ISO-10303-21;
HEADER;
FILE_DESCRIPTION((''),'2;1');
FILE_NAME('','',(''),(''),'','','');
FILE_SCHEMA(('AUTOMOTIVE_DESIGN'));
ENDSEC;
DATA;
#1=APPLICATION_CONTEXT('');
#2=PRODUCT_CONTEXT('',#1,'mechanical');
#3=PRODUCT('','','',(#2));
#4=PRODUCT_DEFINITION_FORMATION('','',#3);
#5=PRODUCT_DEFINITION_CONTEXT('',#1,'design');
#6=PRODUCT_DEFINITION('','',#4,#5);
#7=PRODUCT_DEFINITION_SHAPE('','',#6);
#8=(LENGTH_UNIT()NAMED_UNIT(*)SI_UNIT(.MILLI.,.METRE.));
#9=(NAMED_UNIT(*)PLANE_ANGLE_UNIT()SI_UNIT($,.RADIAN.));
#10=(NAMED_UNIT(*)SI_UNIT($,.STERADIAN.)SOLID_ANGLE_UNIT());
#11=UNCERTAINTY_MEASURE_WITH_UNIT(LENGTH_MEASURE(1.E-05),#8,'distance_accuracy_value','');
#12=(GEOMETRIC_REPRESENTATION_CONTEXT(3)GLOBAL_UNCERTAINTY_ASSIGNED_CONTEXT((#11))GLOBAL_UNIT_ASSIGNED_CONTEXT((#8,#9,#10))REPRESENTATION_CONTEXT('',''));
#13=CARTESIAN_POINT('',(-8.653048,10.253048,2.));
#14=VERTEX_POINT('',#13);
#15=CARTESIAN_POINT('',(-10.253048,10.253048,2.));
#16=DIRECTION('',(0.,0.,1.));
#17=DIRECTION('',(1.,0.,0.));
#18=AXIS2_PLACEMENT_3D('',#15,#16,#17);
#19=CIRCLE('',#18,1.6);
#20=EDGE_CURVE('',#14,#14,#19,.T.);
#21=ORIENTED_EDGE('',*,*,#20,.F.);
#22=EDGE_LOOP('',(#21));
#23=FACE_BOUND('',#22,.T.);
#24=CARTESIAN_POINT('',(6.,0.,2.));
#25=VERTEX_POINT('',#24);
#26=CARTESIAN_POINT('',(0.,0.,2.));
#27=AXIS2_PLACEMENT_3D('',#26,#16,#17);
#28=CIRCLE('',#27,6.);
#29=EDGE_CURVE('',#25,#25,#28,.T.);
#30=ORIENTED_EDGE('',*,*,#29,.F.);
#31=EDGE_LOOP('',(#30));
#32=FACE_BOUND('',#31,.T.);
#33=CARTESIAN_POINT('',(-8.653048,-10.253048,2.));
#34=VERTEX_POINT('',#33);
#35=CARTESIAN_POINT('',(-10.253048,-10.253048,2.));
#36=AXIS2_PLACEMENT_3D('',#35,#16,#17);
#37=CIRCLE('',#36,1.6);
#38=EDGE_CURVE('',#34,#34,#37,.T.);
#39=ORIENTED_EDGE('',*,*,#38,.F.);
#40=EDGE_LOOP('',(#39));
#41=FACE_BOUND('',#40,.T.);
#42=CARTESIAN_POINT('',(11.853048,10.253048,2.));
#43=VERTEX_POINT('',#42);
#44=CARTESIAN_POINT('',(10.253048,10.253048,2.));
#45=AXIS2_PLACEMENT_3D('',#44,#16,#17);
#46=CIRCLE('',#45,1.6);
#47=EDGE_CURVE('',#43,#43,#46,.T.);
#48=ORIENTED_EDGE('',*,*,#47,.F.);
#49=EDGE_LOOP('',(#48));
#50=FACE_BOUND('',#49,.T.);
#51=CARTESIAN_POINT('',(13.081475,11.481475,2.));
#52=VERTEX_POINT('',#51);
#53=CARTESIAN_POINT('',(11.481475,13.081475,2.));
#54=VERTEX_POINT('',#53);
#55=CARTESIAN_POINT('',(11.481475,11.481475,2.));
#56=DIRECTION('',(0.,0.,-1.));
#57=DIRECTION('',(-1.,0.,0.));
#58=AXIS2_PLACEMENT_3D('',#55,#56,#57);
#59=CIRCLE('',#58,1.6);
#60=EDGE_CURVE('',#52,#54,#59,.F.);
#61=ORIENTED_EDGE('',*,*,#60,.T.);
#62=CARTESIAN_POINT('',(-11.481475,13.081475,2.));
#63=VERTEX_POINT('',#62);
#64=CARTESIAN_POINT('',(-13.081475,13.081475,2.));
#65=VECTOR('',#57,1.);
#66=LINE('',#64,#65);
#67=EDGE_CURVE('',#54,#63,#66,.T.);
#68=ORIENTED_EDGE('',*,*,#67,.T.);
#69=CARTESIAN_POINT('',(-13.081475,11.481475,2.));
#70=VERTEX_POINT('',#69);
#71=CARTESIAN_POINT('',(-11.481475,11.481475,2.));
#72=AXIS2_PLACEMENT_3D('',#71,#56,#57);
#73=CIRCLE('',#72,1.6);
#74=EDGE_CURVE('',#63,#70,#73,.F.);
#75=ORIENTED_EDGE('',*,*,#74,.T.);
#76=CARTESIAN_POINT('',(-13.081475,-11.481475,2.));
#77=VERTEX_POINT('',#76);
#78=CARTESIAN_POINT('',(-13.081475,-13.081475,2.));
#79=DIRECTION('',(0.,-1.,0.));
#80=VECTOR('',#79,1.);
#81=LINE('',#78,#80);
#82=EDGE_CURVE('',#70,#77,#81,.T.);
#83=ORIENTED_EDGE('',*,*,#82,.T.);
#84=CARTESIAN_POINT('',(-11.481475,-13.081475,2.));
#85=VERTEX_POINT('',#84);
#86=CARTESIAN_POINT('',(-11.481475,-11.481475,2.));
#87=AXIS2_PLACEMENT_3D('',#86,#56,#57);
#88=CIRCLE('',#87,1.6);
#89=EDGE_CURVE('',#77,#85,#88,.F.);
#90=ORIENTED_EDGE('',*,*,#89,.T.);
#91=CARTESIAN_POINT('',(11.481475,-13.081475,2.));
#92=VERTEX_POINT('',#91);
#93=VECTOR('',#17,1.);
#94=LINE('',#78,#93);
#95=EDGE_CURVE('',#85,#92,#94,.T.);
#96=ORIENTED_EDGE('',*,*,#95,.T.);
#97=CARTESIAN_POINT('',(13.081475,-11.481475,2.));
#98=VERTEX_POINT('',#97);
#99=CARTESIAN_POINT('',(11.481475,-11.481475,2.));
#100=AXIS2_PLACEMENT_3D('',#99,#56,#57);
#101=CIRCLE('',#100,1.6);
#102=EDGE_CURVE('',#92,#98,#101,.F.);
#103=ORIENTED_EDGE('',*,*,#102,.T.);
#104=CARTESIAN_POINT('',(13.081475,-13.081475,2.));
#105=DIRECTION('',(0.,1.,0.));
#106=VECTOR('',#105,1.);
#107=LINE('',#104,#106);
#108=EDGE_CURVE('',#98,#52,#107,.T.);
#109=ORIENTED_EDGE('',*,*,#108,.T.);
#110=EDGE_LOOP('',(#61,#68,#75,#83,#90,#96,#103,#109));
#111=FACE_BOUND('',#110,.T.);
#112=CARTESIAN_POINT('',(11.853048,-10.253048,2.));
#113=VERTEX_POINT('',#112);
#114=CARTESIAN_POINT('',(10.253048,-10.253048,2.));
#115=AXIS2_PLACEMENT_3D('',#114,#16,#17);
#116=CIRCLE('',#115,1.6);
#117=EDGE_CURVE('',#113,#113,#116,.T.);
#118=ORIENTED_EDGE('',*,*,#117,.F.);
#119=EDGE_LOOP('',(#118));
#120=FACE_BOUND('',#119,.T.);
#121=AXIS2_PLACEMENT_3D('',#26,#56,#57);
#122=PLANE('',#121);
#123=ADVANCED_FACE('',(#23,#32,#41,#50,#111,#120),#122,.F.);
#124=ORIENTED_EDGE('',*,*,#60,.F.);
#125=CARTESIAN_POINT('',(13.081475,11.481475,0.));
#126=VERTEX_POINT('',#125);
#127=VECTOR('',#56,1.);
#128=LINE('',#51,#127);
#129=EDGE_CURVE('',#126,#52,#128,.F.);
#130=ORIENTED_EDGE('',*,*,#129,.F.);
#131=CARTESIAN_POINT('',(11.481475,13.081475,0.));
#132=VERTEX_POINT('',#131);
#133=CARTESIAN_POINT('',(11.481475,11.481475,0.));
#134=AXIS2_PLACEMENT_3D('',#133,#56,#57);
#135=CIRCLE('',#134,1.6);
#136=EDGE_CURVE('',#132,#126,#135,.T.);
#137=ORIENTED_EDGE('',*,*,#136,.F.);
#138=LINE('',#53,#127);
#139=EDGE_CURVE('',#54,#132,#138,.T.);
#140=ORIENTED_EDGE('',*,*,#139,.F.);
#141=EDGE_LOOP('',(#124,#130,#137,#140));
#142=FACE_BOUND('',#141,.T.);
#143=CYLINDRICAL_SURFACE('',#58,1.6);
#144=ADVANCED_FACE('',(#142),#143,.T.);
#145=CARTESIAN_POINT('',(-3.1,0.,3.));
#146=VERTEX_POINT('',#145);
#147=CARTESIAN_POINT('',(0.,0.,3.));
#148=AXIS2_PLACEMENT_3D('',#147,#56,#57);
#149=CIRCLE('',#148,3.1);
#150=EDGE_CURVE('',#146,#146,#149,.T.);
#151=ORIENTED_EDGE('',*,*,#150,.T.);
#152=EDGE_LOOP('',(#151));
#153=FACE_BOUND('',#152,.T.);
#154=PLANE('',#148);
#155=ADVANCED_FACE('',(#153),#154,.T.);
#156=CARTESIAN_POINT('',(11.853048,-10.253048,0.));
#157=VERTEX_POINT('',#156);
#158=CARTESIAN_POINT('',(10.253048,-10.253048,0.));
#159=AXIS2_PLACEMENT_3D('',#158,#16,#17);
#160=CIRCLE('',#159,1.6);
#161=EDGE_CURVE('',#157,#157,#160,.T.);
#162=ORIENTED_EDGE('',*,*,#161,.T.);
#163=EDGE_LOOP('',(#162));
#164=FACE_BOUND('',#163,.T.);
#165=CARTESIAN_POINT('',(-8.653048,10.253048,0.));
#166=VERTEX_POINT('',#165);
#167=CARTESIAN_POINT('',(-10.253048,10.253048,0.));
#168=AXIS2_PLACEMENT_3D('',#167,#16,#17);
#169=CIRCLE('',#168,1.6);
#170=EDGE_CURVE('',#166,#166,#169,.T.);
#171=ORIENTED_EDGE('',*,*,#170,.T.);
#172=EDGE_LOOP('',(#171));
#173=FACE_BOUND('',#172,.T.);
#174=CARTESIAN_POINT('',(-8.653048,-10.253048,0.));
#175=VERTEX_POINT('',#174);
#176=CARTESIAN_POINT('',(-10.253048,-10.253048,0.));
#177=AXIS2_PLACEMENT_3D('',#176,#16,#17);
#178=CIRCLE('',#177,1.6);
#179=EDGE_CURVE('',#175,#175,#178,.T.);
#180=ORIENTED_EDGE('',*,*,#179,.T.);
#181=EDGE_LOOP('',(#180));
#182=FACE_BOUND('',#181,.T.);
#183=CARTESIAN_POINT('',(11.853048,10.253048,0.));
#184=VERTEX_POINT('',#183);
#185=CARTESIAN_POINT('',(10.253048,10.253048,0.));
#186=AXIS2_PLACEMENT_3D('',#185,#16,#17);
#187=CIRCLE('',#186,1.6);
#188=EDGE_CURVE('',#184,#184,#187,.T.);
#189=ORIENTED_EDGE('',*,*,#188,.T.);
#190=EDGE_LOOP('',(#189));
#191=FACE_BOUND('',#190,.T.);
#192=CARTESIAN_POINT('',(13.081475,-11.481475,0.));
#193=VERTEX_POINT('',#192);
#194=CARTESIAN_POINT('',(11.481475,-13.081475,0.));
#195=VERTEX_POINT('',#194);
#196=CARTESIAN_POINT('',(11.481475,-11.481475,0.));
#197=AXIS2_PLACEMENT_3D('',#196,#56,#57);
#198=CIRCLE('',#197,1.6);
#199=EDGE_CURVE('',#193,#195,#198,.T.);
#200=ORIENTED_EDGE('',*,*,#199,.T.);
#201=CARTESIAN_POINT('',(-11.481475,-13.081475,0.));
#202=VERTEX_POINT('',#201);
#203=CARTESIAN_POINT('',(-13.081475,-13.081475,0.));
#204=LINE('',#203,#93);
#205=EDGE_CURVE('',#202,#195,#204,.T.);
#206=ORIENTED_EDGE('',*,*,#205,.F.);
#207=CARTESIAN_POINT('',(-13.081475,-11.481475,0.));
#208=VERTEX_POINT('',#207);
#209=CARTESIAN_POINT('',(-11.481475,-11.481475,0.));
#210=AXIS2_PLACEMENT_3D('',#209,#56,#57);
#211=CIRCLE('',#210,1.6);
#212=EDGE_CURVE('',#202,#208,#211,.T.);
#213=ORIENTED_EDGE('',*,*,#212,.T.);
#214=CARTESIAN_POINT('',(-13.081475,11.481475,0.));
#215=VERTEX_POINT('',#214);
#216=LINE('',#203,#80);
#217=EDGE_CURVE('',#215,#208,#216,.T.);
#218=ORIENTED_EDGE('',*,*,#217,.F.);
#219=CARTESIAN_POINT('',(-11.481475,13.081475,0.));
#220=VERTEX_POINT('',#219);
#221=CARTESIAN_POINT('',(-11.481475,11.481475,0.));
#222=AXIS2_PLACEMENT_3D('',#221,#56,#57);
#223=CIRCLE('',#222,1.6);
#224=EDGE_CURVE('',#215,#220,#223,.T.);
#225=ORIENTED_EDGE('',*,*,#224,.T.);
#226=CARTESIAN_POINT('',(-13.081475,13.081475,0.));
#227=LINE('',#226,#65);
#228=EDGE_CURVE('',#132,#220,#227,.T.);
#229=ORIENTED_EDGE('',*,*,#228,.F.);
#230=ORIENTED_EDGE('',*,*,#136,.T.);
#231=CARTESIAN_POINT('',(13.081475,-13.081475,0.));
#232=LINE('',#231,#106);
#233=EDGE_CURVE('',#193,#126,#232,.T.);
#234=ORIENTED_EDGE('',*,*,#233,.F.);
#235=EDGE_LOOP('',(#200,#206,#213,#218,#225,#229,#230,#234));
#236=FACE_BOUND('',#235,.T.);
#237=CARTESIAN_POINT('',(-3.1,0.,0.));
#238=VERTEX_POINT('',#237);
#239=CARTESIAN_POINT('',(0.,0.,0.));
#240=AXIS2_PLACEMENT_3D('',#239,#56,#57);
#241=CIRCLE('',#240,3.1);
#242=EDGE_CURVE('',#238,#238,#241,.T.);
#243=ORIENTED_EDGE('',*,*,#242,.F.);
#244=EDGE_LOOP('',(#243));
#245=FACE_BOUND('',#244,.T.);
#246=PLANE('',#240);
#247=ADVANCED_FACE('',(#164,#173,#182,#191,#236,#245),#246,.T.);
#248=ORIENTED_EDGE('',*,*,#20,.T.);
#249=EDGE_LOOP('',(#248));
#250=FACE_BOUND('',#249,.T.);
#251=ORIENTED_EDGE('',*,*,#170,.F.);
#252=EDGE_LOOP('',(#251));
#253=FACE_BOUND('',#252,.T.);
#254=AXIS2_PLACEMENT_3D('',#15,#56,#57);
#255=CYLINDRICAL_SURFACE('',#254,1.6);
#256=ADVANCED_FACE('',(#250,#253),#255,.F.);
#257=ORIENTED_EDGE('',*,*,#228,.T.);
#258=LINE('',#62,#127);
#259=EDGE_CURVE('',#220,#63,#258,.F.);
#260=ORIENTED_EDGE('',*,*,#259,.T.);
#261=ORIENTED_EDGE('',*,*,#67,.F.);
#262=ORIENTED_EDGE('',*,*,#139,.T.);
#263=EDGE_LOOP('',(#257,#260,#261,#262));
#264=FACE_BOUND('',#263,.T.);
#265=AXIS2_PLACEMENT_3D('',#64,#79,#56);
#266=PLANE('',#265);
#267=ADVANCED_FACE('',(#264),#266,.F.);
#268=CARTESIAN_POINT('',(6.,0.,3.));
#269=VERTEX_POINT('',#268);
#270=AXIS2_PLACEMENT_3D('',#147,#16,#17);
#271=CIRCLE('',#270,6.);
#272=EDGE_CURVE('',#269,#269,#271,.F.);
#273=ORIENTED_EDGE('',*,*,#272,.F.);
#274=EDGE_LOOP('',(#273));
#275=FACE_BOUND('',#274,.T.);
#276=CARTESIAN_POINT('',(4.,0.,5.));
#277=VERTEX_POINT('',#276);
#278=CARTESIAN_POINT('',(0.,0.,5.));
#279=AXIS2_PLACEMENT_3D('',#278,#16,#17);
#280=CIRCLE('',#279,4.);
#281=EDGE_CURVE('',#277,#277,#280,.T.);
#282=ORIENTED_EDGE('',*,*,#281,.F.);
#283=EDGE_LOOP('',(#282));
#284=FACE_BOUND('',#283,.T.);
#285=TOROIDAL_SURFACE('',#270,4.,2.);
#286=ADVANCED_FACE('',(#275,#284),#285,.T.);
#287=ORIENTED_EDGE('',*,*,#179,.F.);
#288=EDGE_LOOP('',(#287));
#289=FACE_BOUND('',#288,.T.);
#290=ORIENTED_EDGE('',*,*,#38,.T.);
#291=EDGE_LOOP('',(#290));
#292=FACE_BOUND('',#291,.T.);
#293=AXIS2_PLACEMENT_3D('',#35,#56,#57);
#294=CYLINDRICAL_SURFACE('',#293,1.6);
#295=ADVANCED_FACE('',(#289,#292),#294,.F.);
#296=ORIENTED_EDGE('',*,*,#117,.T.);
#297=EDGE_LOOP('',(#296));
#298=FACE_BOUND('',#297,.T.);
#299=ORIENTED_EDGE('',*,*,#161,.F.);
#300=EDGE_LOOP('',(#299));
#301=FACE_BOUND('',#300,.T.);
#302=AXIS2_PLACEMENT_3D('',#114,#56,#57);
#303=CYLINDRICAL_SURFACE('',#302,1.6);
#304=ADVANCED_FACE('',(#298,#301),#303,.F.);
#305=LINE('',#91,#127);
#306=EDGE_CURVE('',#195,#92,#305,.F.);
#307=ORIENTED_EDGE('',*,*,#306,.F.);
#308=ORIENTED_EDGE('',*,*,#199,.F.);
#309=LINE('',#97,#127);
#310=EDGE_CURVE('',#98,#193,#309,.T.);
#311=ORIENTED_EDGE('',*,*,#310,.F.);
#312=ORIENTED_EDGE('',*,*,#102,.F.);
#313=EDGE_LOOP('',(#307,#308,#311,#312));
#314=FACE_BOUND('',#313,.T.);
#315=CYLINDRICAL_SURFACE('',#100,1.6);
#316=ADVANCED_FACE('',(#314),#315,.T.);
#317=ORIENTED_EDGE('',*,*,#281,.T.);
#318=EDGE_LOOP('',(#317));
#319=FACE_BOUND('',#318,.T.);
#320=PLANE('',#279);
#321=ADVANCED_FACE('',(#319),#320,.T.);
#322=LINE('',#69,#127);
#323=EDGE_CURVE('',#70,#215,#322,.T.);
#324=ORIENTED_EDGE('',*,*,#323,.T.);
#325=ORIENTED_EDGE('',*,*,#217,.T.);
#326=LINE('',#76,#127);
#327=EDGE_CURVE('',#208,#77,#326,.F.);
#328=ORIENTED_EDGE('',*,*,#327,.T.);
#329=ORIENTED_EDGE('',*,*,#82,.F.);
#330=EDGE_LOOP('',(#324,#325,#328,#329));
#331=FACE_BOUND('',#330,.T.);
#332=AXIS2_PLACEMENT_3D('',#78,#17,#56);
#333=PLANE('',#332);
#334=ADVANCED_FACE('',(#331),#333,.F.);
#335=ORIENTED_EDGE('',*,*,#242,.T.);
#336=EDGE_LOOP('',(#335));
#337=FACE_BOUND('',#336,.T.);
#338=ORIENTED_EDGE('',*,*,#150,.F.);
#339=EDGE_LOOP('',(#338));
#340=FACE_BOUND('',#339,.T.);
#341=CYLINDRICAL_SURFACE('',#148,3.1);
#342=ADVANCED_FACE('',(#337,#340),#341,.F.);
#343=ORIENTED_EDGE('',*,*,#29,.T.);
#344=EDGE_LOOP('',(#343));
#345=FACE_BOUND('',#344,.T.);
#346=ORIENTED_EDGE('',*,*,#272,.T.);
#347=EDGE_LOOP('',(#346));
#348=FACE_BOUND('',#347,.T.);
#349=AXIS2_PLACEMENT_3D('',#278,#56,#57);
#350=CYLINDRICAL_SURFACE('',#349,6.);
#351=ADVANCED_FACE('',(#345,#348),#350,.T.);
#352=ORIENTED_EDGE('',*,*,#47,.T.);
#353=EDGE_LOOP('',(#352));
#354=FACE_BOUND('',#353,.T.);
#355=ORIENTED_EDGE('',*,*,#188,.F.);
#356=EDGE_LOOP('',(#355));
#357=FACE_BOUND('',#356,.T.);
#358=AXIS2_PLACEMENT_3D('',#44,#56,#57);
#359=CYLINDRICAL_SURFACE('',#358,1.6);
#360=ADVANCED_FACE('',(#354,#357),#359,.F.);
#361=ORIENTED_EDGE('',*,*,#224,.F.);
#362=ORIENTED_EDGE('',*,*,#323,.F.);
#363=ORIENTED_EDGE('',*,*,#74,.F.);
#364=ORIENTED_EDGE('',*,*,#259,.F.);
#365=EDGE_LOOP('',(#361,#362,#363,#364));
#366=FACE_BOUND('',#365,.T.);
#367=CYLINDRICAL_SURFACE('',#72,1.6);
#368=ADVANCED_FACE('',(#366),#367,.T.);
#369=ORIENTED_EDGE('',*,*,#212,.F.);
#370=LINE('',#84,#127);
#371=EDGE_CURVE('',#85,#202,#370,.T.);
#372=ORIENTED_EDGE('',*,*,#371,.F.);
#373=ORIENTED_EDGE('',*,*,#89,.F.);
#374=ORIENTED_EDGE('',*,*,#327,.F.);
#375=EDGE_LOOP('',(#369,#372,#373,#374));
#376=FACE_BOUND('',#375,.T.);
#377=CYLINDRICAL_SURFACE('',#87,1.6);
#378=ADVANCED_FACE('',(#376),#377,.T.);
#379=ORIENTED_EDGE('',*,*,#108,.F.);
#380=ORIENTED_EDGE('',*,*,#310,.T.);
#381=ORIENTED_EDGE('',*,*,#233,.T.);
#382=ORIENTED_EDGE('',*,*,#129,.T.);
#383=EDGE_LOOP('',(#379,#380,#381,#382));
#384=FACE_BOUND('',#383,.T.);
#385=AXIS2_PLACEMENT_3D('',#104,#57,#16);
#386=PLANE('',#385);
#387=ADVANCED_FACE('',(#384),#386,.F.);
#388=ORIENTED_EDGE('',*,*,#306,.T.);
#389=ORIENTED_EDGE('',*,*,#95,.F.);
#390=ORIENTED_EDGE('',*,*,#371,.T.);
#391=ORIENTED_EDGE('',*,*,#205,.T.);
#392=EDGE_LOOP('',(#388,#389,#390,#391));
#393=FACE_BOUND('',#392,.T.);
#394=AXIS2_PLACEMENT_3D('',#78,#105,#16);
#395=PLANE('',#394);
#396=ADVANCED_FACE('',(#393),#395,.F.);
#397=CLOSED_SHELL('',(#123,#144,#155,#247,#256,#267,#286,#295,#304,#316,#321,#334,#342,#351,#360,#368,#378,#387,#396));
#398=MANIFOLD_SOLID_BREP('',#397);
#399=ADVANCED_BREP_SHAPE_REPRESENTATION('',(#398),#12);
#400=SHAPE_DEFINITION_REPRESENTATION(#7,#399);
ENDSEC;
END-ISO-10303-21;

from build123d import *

# Parameters (mm, degrees)
SKETCH_1_W          = 26.162950904
SKETCH_1_H          = 26.162950904
SKETCH_1_R          = 1.6
EXTRUDE_1_DEPTH     = 2
SKETCH_2_R          = 6
EXTRUDE_2_DEPTH     = 3
SKETCH_3_R          = 3.1
CUT_EXTRUDE_1_DEPTH = 3
FILLET_2_R          = 2
FILLET_3_R          = 1.6


with BuildPart() as part:
    # 草图1 → 凸台-拉伸1 (new body)
    with BuildSketch(Plane.XY):
        Rectangle(SKETCH_1_W, SKETCH_1_H)
        with Locations((10.253048327, 10.253048327)):
            Circle(SKETCH_1_R, mode=Mode.SUBTRACT)
        with Locations((-10.253048327, 10.253048327)):
            Circle(SKETCH_1_R, mode=Mode.SUBTRACT)
        with Locations((-10.253048327, -10.253048327)):
            Circle(SKETCH_1_R, mode=Mode.SUBTRACT)
        with Locations((10.253048327, -10.253048327)):
            Circle(SKETCH_1_R, mode=Mode.SUBTRACT)
    extrude(amount=EXTRUDE_1_DEPTH)

    # 草图2 → 凸台-拉伸2 (add)
    with BuildSketch(Plane.XY.offset(2)):
        Circle(SKETCH_2_R)
    extrude(amount=EXTRUDE_2_DEPTH)

    # 草图3 → 切除-拉伸1 (cut)
    with BuildSketch(Plane(origin=(0, 0, 0), x_dir=(-1, 0, 0), z_dir=(0, 0, -1))):
        Circle(SKETCH_3_R)
    extrude(amount=-CUT_EXTRUDE_1_DEPTH, mode=Mode.SUBTRACT)

    # 圆角2
    fillet_2_edges = [part.edges().sort_by_distance(p)[0] for p in [
        (-6, 0, 5),
    ]]
    fillet(fillet_2_edges, radius=FILLET_2_R)

    # 圆角3
    fillet_3_edges = [part.edges().sort_by_distance(p)[0] for p in [
        (13.081475452, -13.081475452, 1),
        (-13.081475452, -13.081475452, 1),
        (-13.081475452, 13.081475452, 1),
        (13.081475452, 13.081475452, 1),
    ]]
    fillet(fillet_3_edges, radius=FILLET_3_R)


solid = part.part
